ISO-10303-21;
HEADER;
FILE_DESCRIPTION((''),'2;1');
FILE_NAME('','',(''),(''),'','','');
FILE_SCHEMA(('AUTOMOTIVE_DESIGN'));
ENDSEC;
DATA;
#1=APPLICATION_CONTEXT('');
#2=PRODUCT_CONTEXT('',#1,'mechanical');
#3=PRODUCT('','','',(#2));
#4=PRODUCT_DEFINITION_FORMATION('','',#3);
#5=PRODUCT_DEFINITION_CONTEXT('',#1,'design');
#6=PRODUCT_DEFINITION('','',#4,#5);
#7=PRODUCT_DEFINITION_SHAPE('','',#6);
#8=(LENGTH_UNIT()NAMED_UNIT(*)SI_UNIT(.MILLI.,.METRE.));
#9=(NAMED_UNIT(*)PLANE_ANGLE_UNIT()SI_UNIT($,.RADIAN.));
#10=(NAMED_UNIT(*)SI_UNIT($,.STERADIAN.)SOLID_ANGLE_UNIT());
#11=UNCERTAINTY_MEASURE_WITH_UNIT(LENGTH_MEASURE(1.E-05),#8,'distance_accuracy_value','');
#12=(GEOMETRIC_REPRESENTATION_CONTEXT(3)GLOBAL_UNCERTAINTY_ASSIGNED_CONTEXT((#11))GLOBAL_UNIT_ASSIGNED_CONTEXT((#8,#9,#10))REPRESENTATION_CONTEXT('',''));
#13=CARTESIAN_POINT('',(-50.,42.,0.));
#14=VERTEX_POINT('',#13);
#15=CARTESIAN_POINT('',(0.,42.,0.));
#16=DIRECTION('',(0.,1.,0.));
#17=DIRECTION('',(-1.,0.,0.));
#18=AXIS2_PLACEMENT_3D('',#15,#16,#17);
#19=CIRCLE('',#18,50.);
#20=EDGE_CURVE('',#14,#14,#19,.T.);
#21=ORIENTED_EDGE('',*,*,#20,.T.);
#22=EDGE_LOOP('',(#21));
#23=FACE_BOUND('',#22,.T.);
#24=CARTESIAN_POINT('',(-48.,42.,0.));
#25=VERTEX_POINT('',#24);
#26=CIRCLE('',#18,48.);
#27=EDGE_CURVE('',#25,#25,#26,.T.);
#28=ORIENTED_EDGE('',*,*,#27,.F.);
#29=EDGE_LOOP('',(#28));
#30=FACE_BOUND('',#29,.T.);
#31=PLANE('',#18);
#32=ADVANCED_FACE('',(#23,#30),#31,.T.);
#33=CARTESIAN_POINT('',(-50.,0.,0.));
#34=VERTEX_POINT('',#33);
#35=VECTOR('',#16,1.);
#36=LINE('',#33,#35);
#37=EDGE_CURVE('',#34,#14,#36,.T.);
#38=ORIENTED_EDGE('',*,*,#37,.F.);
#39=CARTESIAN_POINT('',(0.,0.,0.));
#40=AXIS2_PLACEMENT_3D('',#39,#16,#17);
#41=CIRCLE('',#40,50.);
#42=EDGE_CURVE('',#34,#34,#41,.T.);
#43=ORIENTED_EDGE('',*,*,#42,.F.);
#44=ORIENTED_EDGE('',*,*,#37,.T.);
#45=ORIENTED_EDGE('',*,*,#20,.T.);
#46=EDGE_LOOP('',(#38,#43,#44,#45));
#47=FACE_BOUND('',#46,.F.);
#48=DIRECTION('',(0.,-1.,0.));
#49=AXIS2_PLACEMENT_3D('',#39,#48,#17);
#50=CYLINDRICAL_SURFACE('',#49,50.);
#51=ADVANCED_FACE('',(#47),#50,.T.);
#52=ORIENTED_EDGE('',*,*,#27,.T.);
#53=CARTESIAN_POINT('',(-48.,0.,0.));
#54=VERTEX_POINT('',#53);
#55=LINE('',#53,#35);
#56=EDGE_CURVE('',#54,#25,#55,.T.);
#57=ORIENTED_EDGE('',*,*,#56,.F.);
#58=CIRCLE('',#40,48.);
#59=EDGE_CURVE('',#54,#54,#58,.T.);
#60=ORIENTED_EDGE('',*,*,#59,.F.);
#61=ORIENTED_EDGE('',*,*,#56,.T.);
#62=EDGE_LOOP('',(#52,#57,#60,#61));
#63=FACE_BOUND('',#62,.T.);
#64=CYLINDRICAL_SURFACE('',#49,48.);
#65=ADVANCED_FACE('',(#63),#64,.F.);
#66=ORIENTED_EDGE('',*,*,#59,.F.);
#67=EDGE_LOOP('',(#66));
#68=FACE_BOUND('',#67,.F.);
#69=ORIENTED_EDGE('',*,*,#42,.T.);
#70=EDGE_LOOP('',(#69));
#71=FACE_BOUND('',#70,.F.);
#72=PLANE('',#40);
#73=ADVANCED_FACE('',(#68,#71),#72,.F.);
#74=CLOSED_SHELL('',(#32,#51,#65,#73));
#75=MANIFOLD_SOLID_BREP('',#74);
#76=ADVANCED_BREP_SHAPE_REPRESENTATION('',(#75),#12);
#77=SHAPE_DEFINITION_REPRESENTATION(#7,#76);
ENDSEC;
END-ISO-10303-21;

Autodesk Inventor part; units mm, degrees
ref_plane "YZ Plane" through (0, 0, 0) normal (1, 0, 0) x (0, 1, 0)
ref_plane "XZ Plane" through (0, 0, 0) normal (0, 1, 0) x (-1, 0, 0)
ref_plane "XY Plane" through (0, 0, 0) normal (0, 0, 1) x (1, 0, 0)
sketch "Esquisse1" plane through (0, 0, 0) normal (0, 1, 0) x (-1, 0, 0)
  circle A0 centre (0, 0) radius 50
  circle A1 centre (0, 0) radius 48
  dimension "d0" = 100
  dimension "d1" = 96
extrude "Extrusion1" add sketch "Esquisse1" along normal blind 42
properties part number "cylindre-mat"
